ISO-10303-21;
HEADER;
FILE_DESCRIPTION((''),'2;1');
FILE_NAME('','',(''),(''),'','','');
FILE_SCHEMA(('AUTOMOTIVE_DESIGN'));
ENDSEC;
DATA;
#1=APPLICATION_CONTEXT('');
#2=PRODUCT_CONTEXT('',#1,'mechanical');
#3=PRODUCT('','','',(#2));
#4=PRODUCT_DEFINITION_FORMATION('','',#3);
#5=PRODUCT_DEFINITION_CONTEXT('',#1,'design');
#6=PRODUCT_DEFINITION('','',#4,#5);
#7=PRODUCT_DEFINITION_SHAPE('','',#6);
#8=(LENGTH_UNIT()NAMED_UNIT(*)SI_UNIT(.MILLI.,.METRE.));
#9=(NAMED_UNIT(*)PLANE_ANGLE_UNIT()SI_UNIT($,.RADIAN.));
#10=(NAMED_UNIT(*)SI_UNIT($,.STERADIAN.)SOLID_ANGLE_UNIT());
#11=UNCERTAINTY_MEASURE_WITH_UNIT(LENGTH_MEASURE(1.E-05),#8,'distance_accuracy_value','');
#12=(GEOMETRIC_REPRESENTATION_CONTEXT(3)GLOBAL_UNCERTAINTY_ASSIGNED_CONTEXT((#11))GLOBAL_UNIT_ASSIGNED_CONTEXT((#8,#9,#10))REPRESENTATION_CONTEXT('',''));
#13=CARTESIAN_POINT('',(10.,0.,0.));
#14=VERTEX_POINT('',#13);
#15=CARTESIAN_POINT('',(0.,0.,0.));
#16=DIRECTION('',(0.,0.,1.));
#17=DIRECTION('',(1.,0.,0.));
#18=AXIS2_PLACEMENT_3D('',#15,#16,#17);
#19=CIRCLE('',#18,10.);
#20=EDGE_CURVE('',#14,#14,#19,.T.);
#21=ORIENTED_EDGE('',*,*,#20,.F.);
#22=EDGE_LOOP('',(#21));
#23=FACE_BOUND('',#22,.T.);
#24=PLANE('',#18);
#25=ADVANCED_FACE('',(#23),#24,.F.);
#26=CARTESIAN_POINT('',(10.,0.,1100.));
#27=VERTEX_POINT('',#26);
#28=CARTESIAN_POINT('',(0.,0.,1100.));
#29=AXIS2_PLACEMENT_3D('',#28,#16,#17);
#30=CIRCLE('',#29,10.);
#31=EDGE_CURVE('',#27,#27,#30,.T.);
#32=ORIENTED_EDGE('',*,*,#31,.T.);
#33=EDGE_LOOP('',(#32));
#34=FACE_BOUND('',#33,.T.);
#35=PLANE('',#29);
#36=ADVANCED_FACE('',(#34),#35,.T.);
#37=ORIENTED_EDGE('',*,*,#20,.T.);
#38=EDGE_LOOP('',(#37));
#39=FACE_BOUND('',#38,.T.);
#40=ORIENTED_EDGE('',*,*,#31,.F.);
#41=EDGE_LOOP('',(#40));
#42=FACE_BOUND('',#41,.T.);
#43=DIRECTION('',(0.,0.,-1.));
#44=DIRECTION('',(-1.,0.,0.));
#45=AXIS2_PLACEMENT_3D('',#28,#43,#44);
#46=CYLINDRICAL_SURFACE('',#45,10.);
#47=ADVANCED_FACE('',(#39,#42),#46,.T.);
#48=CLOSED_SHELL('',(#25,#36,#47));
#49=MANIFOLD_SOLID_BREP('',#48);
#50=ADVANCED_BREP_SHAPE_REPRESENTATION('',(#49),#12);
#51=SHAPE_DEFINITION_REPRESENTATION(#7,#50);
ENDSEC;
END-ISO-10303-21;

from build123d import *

# Parameters (mm, degrees)
SKETCH1_R           = 10
BOSS_EXTRUDE1_DEPTH = 1100


with BuildPart() as part:
    # Sketch1 → Boss-Extrude1 (new body)
    with BuildSketch(Plane.XY):
        Circle(SKETCH1_R)
    extrude(amount=BOSS_EXTRUDE1_DEPTH)


solid = part.part
